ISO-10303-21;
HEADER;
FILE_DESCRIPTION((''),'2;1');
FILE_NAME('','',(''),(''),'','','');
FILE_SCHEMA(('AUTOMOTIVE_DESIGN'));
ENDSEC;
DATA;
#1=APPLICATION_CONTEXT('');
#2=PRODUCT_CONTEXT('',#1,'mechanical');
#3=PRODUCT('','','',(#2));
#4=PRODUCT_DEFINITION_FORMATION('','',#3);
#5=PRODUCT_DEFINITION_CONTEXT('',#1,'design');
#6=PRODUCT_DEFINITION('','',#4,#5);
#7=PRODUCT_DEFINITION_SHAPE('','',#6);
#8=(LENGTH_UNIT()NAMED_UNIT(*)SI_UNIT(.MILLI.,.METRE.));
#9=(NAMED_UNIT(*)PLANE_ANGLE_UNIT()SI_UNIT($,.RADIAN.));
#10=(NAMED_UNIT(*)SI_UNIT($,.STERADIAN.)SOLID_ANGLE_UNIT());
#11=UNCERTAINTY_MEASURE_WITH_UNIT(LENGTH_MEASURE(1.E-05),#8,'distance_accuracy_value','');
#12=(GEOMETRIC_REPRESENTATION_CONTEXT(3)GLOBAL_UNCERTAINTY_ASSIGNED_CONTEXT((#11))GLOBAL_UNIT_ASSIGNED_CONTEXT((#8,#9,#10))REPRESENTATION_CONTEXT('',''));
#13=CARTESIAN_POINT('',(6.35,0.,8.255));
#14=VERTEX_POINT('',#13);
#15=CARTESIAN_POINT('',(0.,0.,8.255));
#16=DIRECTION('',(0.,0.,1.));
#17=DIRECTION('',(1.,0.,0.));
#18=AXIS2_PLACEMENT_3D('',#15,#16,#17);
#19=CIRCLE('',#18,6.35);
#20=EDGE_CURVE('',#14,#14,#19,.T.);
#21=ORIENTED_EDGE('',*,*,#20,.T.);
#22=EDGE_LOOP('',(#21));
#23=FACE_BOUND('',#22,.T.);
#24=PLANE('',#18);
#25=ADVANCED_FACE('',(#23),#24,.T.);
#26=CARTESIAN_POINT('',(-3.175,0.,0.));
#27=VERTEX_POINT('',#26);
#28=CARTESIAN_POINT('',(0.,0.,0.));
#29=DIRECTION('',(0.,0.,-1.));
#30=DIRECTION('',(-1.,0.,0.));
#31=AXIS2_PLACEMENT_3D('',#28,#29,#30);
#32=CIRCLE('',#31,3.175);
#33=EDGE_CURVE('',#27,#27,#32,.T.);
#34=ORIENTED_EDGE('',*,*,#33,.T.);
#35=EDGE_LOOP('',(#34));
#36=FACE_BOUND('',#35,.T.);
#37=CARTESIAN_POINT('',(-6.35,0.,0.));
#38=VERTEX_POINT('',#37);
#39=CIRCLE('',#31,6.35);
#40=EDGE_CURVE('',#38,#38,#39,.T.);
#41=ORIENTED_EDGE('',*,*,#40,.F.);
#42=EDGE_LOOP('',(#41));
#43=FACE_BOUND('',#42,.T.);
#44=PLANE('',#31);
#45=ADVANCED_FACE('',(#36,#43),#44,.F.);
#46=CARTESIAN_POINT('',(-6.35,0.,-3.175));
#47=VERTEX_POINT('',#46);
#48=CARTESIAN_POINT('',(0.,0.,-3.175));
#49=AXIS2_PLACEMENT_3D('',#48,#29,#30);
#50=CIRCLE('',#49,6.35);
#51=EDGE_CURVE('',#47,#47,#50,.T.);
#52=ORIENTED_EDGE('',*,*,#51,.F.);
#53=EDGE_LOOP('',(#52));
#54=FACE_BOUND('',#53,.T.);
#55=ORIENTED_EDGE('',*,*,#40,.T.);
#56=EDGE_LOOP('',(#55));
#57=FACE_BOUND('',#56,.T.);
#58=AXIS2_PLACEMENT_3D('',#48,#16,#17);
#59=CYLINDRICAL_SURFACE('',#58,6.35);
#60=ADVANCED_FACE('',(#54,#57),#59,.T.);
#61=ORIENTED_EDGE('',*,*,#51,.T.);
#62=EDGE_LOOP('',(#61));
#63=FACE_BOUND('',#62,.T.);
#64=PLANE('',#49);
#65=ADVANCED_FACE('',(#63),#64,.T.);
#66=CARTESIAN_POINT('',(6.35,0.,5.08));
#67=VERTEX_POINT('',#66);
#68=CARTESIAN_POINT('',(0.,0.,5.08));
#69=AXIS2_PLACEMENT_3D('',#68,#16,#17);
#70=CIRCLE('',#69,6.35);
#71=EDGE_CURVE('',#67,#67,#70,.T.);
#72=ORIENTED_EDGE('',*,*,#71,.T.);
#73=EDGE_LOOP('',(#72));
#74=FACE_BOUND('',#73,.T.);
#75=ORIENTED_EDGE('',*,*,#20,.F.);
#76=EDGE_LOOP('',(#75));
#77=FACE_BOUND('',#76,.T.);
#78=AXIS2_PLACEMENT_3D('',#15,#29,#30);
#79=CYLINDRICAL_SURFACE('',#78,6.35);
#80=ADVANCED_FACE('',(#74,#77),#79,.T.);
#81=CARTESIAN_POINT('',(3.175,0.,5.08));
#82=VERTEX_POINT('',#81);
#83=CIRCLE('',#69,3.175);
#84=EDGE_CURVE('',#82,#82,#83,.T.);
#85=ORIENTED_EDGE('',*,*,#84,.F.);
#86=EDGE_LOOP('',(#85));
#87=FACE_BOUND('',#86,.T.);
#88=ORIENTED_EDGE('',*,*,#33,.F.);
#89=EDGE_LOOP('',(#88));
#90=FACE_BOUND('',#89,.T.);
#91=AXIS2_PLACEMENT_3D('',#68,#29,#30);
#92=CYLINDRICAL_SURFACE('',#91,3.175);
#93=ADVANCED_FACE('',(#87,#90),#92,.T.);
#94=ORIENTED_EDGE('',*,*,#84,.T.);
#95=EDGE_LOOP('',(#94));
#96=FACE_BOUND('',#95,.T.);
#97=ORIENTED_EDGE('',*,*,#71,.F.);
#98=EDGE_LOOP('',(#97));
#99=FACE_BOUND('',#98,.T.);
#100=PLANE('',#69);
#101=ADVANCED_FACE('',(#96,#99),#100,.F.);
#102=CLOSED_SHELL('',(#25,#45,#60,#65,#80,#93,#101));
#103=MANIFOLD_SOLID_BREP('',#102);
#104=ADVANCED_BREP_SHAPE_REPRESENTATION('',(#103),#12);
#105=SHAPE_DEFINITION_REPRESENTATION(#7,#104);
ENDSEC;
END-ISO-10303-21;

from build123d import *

# Parameters (mm, degrees)
SKETCH1_R           = 3.175
BOSS_EXTRUDE1_DEPTH = 5.08
SKETCH2_R           = 6.35
BOSS_EXTRUDE2_DEPTH = 3.175
SKETCH3_R           = 6.35
BOSS_EXTRUDE3_DEPTH = 3.175


with BuildPart() as part:
    # Sketch1 → Boss-Extrude1 (new body)
    with BuildSketch(Plane.XY):
        Circle(SKETCH1_R)
    extrude(amount=BOSS_EXTRUDE1_DEPTH)

    # Sketch2 → Boss-Extrude2 (add)
    with BuildSketch(Plane(origin=(0, 0, 0), x_dir=(-1, 0, 0), z_dir=(0, 0, -1))):
        Circle(SKETCH2_R)
    extrude(amount=BOSS_EXTRUDE2_DEPTH)

    # Sketch3 → Boss-Extrude3 (add)
    with BuildSketch(Plane.XY.offset(5.08)):
        Circle(SKETCH3_R)
    extrude(amount=BOSS_EXTRUDE3_DEPTH)


solid = part.part
